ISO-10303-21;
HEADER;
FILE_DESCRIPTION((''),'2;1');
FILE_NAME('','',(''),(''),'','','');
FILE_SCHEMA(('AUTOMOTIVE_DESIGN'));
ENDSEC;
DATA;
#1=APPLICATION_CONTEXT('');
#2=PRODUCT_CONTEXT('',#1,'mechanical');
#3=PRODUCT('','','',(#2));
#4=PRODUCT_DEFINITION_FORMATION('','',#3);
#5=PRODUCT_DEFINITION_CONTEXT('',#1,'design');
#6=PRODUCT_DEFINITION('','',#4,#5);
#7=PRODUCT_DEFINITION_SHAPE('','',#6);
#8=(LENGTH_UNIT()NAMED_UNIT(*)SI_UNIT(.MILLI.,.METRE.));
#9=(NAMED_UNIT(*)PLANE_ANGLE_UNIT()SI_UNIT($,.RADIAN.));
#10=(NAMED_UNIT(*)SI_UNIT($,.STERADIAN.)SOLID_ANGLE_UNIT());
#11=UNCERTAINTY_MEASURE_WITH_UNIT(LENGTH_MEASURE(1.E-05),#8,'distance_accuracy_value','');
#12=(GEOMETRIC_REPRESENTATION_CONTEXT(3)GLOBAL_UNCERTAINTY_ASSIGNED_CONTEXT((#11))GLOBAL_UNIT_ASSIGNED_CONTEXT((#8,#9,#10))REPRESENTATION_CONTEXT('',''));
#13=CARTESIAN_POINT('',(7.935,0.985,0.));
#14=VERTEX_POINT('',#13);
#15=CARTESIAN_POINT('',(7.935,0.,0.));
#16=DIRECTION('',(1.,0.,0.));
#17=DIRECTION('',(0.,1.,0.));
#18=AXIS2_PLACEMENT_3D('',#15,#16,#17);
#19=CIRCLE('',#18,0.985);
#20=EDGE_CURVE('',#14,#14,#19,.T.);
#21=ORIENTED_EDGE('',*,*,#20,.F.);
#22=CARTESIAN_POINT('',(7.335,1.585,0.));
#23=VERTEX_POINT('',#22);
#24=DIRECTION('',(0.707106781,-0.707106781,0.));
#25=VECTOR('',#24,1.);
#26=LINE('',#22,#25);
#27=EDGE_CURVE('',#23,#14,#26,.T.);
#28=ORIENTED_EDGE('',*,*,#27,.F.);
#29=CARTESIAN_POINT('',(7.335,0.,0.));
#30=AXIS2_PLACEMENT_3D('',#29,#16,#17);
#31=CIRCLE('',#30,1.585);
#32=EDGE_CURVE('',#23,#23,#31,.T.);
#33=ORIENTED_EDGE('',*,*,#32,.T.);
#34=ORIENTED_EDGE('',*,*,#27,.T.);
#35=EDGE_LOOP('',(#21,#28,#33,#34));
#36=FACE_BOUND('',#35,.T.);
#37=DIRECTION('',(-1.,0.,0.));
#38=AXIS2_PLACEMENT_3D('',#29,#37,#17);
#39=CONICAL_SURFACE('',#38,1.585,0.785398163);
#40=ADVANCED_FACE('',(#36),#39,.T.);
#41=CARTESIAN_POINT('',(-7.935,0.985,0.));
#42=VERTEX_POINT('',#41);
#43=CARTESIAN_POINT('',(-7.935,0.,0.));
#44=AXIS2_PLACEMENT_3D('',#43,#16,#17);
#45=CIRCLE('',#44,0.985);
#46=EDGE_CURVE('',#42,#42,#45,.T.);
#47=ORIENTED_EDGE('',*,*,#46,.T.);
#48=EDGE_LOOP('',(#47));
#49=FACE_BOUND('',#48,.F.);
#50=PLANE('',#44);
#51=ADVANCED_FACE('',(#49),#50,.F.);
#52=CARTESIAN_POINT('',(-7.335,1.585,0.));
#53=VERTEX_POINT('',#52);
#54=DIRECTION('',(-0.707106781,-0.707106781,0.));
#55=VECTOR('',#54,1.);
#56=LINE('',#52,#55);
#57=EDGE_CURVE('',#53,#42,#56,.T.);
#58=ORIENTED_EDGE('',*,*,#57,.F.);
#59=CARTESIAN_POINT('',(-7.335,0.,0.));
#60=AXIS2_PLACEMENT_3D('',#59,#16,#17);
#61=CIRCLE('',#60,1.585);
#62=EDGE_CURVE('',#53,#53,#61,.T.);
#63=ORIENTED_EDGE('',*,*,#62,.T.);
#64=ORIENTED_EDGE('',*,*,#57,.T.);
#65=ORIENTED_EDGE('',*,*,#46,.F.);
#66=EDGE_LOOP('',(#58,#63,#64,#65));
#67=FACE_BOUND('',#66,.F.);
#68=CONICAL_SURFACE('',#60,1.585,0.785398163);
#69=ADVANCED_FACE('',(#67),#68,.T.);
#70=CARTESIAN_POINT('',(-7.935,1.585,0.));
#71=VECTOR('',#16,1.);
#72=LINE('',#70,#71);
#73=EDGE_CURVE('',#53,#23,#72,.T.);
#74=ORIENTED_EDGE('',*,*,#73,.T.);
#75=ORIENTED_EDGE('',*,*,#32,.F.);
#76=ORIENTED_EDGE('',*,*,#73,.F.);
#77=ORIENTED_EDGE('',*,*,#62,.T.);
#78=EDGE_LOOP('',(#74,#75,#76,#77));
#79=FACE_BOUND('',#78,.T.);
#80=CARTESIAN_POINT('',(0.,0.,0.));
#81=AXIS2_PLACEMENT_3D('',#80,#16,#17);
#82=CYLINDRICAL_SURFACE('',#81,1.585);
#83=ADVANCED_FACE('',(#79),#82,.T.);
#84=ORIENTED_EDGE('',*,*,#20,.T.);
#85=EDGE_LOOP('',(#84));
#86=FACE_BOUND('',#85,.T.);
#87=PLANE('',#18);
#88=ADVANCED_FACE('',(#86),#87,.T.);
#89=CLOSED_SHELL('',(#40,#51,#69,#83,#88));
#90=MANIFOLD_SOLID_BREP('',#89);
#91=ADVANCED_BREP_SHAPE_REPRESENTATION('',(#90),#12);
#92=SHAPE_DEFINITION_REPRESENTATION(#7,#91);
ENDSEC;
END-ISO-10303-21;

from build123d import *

# Parameters (mm, degrees)
F0_R     = 1.585
F1_DEPTH = 7.935
F2_SIZE  = 0.6


with BuildPart() as f1:
    # F0 (on Right) → F1 (new body, symmetric)
    with BuildSketch(Plane.YZ):
        Circle(F0_R)
    extrude(amount=F1_DEPTH, both=True)

    # F2
    f2_edges = [f1.edges().sort_by_distance(p)[0] for p in [
        (-7.935, -1.585, 0),
        (0, 1.585, 0),
        (7.935, -1.585, 0),
    ]]
    chamfer(f2_edges, length=F2_SIZE)


solid = f1.part
